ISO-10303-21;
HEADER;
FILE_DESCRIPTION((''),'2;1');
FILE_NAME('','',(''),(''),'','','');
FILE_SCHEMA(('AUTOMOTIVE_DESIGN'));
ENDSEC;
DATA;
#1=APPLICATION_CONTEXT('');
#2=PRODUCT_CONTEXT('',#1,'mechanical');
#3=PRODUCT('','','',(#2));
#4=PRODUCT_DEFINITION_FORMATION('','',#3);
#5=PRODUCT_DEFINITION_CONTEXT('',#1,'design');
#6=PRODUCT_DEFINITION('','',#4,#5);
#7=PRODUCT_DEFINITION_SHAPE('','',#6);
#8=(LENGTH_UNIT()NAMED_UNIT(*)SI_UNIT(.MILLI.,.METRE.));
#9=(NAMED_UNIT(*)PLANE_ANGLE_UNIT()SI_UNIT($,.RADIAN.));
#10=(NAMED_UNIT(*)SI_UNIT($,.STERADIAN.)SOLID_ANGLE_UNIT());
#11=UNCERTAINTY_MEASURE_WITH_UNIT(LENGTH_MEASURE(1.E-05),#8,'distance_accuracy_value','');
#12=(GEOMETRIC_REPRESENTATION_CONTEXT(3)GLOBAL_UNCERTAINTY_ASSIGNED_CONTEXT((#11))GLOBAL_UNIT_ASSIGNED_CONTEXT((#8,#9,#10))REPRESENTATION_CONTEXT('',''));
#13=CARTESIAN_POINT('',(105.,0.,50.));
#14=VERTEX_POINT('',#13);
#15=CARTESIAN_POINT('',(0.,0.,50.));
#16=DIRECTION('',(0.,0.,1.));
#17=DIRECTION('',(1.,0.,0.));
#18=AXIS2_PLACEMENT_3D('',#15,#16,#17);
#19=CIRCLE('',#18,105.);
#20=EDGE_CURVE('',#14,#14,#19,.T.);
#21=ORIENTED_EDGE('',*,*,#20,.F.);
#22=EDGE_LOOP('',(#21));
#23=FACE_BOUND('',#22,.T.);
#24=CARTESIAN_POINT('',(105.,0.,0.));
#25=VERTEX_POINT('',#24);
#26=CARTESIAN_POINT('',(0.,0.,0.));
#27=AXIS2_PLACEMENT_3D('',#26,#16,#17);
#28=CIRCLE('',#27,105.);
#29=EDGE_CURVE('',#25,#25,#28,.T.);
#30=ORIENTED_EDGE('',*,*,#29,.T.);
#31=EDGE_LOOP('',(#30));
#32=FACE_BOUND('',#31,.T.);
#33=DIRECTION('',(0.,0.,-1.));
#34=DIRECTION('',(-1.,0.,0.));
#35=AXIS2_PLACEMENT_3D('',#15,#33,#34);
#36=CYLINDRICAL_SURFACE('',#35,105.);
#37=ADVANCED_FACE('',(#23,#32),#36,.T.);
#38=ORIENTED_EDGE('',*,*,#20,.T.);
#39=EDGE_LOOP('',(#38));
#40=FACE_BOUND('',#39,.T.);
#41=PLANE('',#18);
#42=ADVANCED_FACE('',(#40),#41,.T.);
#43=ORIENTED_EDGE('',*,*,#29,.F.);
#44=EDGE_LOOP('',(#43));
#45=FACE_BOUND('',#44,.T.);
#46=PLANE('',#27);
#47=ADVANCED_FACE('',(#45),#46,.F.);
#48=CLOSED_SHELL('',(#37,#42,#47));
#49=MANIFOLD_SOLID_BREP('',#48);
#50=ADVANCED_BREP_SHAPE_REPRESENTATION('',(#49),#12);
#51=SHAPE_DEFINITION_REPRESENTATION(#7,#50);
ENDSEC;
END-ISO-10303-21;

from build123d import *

# Parameters (mm, degrees)
ESQUISSE1_R        = 105
BOSS_EXTRU_1_DEPTH = 50


with BuildPart() as part:
    # Esquisse1 → Boss.-Extru.1 (new body)
    with BuildSketch(Plane.XY):
        Circle(ESQUISSE1_R)
    extrude(amount=BOSS_EXTRU_1_DEPTH)


solid = part.part
